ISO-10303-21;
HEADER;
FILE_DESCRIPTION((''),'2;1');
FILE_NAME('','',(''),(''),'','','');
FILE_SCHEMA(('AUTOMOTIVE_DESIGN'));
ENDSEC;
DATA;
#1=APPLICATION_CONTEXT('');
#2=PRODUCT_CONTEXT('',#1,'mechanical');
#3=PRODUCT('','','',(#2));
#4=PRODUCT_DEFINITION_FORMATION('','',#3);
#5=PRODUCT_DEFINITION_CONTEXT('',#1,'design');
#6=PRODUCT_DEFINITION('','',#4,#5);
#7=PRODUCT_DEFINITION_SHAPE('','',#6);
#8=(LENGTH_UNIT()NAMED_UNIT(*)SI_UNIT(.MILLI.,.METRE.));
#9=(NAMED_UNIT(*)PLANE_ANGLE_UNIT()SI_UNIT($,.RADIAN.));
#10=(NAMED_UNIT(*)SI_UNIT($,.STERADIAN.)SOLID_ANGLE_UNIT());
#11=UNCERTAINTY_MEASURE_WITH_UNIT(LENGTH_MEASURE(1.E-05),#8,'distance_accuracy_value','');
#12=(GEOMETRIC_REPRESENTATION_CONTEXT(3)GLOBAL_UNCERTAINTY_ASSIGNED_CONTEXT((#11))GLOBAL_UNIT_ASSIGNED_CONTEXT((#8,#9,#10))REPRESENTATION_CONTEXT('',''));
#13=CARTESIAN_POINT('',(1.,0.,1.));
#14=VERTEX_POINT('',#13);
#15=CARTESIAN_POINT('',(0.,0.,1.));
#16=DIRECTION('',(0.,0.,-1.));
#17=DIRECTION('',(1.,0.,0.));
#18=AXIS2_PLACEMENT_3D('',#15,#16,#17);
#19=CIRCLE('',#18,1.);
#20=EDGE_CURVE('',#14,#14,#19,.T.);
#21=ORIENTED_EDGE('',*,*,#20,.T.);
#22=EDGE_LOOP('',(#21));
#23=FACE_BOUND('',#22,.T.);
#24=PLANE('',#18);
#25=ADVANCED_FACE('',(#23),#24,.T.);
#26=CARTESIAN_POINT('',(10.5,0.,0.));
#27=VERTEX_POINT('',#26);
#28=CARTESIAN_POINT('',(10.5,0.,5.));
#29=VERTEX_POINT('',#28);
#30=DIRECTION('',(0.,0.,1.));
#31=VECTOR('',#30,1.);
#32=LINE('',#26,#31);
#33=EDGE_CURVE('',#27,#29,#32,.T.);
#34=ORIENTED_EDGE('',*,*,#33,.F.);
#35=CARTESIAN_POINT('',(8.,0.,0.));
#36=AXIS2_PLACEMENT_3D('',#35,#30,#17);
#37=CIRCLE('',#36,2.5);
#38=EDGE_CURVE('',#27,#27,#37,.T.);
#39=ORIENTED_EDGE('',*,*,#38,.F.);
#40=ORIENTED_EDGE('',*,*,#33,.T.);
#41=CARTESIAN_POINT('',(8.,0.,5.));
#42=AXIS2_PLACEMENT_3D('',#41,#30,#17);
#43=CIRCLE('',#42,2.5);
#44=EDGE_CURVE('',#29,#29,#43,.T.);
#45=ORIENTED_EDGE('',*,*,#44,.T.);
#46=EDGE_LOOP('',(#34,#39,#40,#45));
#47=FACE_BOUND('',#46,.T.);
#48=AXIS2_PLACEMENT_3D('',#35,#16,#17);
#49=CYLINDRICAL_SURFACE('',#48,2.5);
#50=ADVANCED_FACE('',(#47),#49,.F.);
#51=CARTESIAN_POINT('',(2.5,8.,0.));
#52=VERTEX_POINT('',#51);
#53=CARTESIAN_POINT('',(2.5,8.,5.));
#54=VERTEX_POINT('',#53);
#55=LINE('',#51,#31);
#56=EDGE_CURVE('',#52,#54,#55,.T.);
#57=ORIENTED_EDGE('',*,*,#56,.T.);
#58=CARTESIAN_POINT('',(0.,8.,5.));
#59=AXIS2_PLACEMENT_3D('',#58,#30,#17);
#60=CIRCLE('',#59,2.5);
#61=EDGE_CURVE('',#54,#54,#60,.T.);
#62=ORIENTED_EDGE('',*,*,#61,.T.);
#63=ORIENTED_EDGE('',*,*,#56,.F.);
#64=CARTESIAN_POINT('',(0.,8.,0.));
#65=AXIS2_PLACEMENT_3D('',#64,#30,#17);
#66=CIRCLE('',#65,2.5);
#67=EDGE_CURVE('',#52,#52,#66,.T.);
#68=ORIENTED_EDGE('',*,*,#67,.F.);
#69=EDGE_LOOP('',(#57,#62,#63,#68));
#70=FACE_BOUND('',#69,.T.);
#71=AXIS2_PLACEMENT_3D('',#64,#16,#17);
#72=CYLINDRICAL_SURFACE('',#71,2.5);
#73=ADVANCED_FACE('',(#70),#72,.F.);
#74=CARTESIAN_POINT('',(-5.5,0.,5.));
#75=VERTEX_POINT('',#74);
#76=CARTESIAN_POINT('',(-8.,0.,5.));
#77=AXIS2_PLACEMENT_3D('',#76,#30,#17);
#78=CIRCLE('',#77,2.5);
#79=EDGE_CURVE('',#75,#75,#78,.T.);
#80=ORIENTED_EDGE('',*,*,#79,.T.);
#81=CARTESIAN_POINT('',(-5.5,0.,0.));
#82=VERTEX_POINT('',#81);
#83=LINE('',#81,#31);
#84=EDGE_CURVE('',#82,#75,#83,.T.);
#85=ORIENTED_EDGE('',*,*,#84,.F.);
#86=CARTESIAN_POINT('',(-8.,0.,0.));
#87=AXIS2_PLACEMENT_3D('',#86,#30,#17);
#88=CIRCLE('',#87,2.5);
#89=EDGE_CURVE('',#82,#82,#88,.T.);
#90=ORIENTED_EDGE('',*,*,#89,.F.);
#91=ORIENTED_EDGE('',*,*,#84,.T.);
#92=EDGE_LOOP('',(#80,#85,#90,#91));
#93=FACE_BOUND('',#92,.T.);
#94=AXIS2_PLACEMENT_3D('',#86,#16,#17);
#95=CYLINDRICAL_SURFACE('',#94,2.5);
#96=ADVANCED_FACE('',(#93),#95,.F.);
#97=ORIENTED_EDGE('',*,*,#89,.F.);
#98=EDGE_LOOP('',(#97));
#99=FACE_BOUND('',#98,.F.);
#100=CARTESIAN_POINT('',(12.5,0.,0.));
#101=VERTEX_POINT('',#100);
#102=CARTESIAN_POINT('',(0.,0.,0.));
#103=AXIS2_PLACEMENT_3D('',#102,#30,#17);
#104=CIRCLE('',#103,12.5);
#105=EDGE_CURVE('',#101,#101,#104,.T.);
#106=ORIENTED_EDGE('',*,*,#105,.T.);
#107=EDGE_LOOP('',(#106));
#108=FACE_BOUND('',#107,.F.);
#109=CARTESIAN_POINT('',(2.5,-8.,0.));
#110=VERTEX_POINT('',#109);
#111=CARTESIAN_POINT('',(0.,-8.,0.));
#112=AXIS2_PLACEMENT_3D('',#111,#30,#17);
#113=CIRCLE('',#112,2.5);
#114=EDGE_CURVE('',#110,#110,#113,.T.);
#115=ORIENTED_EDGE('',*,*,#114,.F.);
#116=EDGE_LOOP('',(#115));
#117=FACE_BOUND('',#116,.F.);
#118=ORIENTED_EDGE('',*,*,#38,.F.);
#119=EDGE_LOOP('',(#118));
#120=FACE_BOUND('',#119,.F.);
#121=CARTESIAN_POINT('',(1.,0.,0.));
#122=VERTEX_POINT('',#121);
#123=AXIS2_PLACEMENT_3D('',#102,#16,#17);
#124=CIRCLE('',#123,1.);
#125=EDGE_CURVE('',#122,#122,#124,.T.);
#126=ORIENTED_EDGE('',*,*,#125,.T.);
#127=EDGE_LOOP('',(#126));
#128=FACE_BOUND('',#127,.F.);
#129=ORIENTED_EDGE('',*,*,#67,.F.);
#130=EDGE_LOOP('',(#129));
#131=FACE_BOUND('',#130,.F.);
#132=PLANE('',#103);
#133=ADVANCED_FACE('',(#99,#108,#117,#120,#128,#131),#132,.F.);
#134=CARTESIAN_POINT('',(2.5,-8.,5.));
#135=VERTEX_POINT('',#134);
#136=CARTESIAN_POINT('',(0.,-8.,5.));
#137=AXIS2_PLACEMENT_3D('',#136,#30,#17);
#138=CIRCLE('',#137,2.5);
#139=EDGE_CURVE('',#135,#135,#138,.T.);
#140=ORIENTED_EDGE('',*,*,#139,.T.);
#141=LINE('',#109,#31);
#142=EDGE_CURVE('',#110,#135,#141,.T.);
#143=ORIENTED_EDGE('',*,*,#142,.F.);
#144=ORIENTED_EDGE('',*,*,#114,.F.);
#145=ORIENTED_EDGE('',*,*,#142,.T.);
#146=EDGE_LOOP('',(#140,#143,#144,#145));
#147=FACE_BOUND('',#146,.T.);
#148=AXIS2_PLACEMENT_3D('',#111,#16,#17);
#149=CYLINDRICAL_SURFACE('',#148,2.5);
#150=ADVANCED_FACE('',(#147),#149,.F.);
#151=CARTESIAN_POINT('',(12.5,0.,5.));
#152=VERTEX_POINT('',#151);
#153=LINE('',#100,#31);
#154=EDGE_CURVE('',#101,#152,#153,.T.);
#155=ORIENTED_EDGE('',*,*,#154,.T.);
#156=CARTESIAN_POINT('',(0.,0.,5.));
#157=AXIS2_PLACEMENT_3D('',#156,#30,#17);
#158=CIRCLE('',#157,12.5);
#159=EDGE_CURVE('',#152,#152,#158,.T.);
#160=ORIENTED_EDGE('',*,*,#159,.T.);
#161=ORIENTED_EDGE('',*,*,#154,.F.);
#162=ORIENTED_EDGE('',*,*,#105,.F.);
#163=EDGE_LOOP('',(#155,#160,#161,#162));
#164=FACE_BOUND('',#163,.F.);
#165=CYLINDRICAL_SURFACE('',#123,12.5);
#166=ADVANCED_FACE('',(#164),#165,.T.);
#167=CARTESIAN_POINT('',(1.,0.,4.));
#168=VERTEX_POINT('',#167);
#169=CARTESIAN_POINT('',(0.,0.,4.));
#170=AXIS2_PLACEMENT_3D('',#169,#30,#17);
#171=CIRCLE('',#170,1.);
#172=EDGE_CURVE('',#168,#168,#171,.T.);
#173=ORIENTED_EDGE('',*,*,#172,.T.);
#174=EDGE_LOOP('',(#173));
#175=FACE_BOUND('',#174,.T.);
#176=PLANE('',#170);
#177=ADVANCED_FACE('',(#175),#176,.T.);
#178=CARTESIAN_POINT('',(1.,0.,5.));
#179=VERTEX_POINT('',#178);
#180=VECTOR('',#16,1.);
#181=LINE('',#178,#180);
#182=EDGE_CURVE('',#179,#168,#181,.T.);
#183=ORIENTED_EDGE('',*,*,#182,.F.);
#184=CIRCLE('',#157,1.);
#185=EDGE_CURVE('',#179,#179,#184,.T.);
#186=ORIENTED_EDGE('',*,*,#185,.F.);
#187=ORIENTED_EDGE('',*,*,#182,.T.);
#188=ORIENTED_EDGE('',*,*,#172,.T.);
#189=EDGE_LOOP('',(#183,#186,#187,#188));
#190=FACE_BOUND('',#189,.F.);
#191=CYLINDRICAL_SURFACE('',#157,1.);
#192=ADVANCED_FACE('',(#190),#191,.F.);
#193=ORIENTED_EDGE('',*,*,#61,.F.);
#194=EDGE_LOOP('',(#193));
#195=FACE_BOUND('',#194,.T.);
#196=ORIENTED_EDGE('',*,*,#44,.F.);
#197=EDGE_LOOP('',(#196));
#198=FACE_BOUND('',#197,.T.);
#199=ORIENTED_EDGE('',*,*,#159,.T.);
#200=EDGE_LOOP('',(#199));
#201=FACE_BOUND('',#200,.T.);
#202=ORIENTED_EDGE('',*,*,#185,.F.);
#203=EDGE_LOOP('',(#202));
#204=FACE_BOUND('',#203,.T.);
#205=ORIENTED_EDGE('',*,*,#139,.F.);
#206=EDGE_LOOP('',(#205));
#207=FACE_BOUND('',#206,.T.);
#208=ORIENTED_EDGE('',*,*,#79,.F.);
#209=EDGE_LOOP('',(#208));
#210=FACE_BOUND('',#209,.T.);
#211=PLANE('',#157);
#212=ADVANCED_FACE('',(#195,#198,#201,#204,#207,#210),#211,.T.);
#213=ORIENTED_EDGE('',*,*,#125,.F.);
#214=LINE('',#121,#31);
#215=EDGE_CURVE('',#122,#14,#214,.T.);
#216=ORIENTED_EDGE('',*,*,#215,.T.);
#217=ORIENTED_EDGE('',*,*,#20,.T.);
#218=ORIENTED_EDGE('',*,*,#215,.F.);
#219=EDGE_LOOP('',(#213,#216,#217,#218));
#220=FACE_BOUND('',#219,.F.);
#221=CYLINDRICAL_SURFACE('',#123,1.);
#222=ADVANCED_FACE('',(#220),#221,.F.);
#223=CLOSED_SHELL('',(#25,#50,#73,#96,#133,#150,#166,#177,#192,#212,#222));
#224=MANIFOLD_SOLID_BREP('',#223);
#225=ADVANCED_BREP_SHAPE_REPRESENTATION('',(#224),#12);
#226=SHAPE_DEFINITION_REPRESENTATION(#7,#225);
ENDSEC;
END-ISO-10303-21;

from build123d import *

# Parameters (mm, degrees)
F0_R     = 12.5
F0_R_2   = 2.5
F1_DEPTH = 5
F2_R     = 1
F3_DEPTH = 1
F4_R     = 1
F5_DEPTH = 1


with BuildPart() as f1:
    # F0 (on Top) → F1 (new body)
    with BuildSketch(Plane.XY):
        Circle(F0_R)
        with Locations((0, -8)):
            Circle(F0_R_2, mode=Mode.SUBTRACT)
        with Locations((-8, 0)):
            Circle(F0_R_2, mode=Mode.SUBTRACT)
        with Locations((8, 0)):
            Circle(F0_R_2, mode=Mode.SUBTRACT)
        with Locations((0, 8)):
            Circle(F0_R_2, mode=Mode.SUBTRACT)
    extrude(amount=F1_DEPTH)

    # F2 (on face) → F3 (cut)
    with BuildSketch(Plane.XY.offset(5)):
        Circle(F2_R)
    extrude(amount=-F3_DEPTH, mode=Mode.SUBTRACT)

    # F4 (on face) → F5 (cut)
    with BuildSketch(Plane(origin=(0, 0, 0), x_dir=(1, 0, 0), z_dir=(0, 0, -1))):
        Circle(F4_R)
    extrude(amount=-F5_DEPTH, mode=Mode.SUBTRACT)


solid = f1.part
